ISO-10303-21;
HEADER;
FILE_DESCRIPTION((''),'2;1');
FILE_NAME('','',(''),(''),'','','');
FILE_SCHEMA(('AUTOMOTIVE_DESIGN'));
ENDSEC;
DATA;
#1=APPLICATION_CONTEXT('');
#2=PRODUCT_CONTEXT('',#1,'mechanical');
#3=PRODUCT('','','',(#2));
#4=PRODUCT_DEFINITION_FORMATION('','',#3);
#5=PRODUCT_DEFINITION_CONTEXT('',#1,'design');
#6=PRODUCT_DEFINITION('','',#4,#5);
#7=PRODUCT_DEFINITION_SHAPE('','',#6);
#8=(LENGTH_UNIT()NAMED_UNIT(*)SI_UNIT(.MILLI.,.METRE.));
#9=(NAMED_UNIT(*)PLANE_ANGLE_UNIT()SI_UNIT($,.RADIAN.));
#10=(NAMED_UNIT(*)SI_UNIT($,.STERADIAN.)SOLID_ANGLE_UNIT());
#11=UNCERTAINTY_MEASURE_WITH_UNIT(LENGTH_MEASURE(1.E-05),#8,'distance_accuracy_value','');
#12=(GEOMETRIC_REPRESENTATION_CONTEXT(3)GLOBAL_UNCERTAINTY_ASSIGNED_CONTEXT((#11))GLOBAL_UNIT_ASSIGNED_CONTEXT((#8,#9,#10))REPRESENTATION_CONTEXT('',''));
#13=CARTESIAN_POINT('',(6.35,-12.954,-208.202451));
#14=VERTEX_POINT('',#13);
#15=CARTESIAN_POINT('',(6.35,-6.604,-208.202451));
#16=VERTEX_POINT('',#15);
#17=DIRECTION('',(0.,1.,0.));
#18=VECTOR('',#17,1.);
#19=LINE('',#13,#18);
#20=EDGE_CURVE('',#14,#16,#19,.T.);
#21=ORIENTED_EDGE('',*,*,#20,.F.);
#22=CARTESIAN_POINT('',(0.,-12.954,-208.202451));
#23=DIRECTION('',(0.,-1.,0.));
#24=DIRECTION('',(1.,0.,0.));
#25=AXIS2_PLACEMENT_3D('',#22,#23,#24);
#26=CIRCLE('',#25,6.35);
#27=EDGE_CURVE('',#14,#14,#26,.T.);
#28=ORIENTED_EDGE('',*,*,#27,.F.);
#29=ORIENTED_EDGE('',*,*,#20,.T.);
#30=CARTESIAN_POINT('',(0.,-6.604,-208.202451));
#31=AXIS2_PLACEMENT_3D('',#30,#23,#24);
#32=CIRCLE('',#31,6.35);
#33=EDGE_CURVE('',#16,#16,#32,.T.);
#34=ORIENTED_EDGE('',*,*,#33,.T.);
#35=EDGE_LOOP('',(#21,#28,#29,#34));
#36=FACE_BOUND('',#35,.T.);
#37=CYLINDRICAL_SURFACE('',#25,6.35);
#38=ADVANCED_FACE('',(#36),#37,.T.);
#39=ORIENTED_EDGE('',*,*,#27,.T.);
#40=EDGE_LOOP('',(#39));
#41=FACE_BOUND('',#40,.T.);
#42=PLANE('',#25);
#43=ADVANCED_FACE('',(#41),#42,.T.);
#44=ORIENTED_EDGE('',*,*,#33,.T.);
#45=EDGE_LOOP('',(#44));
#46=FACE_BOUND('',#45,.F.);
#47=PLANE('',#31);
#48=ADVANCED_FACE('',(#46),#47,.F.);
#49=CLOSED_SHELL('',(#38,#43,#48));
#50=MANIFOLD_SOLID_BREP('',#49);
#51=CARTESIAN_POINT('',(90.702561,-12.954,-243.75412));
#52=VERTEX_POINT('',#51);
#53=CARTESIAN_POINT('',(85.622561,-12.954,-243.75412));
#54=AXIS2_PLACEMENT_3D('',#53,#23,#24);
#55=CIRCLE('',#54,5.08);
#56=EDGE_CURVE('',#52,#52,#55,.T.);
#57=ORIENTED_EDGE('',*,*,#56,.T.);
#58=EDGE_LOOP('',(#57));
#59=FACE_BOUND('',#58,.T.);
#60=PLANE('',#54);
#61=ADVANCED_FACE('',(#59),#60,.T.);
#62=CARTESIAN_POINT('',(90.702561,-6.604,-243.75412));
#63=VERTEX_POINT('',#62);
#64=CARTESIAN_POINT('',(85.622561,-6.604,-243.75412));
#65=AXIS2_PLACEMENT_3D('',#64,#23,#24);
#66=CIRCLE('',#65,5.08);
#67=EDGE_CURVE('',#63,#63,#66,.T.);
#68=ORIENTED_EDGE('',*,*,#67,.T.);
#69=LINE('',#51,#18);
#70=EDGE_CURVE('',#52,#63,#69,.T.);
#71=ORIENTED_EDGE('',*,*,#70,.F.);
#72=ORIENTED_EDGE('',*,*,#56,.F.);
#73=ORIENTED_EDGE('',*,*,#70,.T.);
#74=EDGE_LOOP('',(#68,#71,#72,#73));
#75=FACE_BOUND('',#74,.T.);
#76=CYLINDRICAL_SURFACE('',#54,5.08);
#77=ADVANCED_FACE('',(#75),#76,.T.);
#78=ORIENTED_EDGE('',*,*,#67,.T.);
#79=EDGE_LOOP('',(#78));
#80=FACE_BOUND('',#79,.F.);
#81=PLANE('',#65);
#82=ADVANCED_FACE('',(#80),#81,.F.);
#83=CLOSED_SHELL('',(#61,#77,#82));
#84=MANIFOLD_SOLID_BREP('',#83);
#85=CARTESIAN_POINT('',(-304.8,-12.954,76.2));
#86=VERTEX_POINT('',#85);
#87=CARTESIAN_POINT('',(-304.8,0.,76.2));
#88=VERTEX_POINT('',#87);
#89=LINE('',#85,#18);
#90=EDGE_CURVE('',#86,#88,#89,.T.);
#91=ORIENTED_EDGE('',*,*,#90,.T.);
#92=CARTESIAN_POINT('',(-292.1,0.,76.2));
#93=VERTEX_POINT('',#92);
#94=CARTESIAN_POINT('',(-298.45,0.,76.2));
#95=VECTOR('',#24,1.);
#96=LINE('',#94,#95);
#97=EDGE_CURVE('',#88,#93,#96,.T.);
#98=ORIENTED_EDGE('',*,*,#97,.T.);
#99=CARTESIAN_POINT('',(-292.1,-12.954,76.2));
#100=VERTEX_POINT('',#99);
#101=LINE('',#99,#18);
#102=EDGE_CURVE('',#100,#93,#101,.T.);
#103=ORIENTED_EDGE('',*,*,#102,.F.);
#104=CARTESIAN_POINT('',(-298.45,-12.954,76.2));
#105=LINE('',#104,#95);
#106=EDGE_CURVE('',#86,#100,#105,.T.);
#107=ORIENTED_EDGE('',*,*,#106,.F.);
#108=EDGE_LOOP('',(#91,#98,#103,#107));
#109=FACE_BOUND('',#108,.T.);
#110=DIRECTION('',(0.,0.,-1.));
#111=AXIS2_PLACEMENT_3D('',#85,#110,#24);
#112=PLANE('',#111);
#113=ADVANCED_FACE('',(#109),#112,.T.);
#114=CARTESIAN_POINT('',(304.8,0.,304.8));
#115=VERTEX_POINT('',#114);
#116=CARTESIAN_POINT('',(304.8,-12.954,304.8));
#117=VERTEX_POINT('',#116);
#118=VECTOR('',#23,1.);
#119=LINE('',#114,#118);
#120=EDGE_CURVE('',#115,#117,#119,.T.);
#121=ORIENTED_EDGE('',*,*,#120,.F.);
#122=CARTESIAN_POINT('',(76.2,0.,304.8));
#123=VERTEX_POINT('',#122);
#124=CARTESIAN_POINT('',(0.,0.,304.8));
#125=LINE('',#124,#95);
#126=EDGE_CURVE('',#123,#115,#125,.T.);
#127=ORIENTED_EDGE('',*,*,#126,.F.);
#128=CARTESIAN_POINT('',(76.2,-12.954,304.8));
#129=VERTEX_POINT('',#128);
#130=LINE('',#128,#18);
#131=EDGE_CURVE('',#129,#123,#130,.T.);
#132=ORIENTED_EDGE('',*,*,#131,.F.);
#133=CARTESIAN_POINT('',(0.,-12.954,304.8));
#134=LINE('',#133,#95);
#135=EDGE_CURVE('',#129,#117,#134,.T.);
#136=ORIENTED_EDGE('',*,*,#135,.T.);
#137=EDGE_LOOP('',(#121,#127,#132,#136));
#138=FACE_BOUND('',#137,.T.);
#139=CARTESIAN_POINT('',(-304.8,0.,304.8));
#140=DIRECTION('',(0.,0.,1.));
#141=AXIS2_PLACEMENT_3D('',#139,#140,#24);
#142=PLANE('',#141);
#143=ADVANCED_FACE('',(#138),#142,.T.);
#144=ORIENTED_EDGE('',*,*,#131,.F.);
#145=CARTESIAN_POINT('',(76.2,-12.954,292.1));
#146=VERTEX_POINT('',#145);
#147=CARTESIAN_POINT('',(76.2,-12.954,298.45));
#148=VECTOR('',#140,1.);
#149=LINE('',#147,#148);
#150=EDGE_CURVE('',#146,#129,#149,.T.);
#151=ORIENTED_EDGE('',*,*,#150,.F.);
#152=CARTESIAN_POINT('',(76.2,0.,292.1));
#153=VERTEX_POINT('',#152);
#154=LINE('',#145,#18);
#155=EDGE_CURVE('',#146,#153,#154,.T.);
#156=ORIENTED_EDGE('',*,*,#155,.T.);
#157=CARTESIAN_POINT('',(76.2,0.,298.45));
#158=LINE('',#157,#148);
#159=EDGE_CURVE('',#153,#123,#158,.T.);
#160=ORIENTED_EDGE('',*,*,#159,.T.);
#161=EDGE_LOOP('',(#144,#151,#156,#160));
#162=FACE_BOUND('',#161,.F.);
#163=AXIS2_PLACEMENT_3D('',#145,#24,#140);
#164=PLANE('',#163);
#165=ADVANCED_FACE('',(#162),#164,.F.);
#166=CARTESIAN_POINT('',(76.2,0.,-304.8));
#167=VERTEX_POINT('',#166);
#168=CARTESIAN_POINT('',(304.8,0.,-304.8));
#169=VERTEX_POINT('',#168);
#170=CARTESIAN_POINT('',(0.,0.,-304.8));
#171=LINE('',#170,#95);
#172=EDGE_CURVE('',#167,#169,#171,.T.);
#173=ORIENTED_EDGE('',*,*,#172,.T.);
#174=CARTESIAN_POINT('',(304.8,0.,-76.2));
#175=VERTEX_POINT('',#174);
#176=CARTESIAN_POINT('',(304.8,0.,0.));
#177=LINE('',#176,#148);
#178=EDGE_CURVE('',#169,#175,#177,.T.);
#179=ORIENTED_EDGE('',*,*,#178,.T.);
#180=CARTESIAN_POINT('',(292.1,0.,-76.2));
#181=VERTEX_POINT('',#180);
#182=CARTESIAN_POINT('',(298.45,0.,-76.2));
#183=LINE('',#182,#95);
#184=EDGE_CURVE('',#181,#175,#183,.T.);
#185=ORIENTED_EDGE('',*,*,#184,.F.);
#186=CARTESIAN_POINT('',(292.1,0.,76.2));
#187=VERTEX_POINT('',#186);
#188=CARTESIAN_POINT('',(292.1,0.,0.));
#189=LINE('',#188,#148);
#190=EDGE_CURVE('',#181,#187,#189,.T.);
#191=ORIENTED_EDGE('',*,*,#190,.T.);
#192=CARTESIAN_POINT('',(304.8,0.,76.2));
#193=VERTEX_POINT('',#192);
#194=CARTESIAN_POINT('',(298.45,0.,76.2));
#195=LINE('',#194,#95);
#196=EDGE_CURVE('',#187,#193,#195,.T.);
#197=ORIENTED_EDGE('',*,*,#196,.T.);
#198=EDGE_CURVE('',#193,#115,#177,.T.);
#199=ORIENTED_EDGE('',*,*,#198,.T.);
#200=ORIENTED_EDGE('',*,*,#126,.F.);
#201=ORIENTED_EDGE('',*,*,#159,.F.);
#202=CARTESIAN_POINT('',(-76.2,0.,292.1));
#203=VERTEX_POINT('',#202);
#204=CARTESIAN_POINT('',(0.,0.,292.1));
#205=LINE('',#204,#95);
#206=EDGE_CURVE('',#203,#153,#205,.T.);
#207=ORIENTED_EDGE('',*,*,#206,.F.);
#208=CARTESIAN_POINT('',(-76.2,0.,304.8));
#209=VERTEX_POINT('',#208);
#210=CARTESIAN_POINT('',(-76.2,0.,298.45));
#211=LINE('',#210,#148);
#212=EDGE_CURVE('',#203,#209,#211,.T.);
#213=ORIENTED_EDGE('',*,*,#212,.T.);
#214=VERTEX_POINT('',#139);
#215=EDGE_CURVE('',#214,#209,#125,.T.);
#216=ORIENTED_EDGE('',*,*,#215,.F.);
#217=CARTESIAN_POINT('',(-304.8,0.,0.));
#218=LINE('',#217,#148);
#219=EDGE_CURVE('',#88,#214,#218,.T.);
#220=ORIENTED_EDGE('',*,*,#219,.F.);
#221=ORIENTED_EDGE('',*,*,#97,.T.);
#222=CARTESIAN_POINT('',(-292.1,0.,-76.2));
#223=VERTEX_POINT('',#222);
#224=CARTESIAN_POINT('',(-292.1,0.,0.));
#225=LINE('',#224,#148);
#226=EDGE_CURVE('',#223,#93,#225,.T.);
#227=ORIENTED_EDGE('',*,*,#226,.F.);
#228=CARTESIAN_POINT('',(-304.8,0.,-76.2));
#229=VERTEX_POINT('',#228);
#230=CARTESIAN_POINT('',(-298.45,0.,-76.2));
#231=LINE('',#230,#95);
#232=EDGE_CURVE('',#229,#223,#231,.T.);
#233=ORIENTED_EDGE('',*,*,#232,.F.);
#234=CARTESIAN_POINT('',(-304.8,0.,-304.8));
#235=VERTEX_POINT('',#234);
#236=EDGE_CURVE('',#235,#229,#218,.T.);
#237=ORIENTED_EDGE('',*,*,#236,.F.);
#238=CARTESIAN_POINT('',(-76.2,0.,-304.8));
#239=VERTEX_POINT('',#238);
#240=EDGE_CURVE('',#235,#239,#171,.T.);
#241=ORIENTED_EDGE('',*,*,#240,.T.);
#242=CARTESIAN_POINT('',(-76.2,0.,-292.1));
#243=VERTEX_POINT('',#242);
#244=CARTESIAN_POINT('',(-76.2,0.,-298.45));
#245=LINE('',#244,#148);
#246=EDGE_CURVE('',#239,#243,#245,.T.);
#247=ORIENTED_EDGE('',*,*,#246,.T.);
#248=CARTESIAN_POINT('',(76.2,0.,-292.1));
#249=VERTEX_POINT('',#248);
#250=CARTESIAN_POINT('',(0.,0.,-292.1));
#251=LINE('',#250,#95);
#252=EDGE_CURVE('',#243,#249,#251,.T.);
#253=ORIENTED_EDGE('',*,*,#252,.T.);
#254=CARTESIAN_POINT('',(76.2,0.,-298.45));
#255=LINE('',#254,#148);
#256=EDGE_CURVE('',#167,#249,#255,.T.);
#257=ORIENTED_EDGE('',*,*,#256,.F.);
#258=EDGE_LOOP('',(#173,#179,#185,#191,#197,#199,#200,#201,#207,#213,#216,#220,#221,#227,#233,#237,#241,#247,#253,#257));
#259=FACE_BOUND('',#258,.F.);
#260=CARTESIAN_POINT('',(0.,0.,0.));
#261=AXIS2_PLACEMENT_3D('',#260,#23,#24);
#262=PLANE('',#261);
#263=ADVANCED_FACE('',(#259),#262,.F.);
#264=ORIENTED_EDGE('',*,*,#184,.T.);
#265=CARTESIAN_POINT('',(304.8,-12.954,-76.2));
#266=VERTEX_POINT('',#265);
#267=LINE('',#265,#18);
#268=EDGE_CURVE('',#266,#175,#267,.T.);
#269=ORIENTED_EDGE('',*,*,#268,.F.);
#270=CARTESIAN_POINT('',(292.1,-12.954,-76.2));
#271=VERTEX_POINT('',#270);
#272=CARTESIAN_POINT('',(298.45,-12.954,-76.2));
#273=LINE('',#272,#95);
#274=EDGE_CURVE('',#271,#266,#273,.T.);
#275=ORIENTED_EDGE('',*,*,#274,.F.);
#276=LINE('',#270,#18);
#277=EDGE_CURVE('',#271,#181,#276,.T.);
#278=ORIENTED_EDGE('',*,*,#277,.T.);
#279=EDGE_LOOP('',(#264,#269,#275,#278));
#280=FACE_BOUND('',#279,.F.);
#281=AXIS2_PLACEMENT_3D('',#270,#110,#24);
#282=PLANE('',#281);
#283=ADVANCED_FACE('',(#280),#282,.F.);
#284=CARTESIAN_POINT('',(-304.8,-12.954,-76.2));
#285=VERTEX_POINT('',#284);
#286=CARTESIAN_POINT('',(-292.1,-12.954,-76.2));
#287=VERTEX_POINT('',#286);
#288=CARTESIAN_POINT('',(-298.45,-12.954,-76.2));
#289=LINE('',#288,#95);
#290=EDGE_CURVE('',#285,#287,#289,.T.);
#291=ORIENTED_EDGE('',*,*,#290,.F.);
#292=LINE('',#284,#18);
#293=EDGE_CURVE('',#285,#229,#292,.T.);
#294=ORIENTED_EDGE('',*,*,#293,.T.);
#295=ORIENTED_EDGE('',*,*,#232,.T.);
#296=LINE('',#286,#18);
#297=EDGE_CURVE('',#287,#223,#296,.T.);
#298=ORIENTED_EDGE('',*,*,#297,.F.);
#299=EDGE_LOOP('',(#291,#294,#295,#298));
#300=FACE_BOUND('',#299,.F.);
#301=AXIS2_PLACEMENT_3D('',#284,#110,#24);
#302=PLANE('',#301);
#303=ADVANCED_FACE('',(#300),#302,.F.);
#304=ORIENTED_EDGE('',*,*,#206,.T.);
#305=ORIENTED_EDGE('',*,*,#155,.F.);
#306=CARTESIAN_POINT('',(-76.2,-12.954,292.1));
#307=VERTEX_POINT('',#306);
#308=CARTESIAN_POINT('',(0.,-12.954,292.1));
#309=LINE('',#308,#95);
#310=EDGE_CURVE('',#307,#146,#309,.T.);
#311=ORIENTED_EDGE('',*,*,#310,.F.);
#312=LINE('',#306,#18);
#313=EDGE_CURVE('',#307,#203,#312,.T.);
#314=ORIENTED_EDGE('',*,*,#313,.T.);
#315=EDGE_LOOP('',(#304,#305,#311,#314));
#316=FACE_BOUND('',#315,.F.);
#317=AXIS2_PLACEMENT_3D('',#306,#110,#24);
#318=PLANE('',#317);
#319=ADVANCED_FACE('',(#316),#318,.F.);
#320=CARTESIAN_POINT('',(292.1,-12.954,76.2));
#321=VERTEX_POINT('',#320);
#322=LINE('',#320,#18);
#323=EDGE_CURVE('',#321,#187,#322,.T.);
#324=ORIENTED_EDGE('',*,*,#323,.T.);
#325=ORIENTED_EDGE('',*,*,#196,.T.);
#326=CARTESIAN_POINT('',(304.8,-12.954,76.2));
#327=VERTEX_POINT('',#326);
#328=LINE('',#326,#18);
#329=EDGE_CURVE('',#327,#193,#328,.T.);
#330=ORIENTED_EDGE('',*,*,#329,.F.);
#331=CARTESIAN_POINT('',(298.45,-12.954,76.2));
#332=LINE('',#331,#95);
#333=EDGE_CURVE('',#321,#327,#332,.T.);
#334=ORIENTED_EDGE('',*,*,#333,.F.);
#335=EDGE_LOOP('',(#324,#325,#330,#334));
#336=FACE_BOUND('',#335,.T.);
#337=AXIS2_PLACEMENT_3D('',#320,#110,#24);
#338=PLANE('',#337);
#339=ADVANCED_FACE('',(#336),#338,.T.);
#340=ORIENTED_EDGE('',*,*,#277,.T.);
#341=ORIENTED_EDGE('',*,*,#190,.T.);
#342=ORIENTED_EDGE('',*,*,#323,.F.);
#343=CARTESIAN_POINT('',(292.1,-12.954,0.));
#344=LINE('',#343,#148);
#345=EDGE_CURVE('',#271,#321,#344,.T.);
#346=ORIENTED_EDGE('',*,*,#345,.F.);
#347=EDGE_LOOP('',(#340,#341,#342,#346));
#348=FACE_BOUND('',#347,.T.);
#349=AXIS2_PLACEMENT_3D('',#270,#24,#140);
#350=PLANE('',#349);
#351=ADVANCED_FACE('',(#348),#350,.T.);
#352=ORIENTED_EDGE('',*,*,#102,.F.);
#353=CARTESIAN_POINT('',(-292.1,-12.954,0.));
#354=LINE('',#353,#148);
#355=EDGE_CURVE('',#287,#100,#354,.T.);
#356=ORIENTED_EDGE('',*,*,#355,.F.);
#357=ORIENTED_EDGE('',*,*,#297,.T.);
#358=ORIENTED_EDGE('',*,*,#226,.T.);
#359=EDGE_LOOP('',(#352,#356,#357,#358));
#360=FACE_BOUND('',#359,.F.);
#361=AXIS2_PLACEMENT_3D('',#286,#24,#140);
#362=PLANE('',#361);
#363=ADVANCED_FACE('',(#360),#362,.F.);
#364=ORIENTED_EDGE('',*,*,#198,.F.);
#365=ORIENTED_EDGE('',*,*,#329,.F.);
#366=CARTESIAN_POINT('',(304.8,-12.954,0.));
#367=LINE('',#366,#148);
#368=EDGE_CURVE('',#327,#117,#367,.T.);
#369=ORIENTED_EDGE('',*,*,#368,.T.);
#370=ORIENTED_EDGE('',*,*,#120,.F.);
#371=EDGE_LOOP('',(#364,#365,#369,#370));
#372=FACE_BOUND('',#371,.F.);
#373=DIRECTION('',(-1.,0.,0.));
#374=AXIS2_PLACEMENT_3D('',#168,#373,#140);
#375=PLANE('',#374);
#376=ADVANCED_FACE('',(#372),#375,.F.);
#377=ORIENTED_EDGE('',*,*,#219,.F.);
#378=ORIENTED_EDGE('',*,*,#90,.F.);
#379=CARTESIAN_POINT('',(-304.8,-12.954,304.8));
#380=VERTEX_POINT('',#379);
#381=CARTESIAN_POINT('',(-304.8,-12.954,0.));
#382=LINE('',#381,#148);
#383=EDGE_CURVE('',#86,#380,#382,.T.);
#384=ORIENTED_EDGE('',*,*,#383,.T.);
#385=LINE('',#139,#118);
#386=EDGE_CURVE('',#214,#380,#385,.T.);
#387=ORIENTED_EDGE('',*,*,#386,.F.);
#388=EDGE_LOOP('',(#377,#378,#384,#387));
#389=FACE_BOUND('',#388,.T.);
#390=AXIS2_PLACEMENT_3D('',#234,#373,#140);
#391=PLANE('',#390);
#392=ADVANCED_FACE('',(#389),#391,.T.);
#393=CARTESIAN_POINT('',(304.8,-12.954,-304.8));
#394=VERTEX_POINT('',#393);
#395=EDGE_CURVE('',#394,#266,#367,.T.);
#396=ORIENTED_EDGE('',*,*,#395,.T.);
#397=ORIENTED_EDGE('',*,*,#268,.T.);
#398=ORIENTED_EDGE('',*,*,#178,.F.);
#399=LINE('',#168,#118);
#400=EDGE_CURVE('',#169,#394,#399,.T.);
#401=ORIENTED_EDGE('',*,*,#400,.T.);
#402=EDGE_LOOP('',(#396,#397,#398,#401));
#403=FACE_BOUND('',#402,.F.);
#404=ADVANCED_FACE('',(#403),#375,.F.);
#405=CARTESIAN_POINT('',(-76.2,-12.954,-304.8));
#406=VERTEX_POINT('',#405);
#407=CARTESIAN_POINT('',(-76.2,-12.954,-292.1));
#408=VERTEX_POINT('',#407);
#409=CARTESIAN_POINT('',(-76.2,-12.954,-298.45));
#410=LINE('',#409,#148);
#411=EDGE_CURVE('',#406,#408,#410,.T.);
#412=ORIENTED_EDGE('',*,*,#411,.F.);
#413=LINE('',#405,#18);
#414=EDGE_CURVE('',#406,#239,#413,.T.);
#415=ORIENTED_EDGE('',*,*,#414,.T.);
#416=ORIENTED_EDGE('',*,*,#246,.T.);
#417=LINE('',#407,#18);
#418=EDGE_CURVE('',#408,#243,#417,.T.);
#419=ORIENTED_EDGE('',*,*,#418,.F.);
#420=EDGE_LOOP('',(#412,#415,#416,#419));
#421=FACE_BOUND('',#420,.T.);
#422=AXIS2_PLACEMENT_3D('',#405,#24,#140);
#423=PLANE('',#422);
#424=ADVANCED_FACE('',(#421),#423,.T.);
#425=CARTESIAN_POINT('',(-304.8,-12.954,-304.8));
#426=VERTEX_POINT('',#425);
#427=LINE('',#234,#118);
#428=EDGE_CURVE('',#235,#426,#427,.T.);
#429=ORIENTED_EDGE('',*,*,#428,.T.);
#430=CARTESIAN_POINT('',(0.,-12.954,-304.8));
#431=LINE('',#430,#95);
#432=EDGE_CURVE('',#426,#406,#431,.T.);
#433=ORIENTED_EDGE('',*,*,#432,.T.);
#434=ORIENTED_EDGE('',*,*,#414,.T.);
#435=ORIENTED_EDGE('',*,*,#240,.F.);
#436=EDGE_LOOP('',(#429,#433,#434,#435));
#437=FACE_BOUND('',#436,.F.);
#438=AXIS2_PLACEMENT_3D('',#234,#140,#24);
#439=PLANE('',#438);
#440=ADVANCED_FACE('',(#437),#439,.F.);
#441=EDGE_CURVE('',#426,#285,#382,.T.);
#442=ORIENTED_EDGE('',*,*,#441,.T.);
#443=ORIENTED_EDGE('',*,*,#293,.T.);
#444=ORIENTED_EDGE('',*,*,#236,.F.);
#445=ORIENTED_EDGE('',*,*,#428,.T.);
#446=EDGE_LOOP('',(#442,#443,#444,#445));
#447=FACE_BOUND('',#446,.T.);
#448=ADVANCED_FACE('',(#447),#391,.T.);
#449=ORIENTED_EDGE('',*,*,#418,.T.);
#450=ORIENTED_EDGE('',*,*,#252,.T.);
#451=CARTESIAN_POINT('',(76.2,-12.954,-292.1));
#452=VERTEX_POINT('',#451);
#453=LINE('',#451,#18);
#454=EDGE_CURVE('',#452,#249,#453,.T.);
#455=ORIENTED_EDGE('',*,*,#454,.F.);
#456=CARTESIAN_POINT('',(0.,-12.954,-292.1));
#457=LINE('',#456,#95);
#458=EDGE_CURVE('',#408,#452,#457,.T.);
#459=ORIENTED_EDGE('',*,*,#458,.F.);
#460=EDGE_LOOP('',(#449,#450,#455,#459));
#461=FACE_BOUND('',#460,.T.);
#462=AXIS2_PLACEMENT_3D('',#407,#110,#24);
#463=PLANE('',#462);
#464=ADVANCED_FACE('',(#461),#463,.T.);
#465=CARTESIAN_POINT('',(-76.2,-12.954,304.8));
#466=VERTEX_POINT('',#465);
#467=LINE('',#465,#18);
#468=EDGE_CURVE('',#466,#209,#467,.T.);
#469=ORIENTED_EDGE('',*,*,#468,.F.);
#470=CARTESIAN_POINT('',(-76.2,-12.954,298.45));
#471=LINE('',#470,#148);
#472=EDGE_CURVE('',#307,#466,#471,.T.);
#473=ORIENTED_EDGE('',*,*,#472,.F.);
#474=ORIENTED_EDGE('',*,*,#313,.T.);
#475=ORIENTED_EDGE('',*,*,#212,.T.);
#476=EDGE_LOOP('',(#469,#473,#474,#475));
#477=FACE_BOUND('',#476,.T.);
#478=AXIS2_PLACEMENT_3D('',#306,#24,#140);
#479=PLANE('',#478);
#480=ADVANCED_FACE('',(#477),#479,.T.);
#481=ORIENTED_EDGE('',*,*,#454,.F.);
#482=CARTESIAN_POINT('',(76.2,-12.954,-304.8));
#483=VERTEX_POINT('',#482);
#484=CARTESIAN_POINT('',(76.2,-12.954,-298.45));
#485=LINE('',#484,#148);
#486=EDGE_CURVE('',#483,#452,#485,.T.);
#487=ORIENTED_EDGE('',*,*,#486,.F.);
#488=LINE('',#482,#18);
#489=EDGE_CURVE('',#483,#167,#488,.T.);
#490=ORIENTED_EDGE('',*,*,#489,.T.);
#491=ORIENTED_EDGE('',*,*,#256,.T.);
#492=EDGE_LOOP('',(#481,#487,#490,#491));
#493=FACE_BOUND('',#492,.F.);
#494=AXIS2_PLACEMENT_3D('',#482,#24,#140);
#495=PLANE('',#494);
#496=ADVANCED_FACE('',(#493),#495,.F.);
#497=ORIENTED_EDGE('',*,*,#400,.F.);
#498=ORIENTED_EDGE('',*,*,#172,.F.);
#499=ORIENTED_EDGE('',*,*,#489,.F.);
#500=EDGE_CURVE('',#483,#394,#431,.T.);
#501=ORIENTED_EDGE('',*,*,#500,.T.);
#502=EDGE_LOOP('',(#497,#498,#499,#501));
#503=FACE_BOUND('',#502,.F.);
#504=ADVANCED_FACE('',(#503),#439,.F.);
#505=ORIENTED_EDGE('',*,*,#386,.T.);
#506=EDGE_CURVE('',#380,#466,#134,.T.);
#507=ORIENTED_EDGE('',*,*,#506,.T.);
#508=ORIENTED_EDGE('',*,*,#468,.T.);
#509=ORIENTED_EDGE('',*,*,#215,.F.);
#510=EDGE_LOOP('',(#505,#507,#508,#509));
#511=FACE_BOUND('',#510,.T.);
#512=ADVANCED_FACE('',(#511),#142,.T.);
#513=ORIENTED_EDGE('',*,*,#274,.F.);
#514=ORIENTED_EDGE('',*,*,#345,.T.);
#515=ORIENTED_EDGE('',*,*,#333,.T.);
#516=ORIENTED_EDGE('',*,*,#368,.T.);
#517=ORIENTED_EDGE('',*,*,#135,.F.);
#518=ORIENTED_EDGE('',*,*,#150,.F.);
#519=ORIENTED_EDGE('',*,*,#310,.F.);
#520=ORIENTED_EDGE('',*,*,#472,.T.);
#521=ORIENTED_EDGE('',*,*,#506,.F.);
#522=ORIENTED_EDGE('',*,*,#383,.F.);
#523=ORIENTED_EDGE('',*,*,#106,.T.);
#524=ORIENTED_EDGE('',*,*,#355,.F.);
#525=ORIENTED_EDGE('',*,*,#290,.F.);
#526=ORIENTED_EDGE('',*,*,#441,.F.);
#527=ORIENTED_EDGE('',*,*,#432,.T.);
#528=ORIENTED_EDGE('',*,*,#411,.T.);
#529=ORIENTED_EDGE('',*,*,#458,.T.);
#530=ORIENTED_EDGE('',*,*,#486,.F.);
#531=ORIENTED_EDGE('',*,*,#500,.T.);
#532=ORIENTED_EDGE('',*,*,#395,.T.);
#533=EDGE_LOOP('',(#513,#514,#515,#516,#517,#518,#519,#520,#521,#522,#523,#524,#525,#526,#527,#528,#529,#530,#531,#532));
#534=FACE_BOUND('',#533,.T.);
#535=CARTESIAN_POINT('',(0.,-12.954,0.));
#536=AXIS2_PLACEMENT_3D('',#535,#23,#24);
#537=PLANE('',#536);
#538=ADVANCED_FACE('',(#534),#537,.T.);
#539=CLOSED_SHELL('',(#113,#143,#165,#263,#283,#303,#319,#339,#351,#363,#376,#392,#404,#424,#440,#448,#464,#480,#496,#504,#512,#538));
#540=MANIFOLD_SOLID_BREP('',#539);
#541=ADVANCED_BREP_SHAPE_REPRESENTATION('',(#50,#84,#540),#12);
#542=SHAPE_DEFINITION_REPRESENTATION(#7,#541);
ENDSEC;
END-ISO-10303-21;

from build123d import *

# Parameters (mm, degrees)
F0_W     = 609.6
F0_H     = 609.6
F1_DEPTH = 12.954
F2_R     = 6.35
F2_R_2   = 5.08
F3_DEPTH = 6.35
F2_W     = 152.4
F2_H     = 12.7
F2_W_2   = 12.7
F2_H_2   = 152.4
F4_DEPTH = 12.954


with BuildPart() as f1:
    # F0 (on Front) → F1 (new body)
    with BuildSketch(Plane.XZ):
        Rectangle(F0_W, F0_H)
    extrude(amount=F1_DEPTH)

    # F2 (on face) → F4 (cut)
    with BuildSketch(Plane.XZ.offset(12.954)):
        with Locations((0, -298.45)):
            Rectangle(F2_W, F2_H)
        with Locations((298.45, 0)):
            Rectangle(F2_W_2, F2_H_2)
        with Locations((0, 298.45)):
            Rectangle(F2_W, F2_H)
        with Locations((-298.45, 0)):
            Rectangle(F2_W_2, F2_H_2)
    extrude(amount=-F4_DEPTH, mode=Mode.SUBTRACT)


with BuildPart() as f3:
    # F2 (on face) → F3 (new body)
    with BuildSketch(Plane.XZ.offset(12.954)):
        with Locations((0, -208.202451)):
            Circle(F2_R)
        with Locations((85.622561, -243.75412)):
            Circle(F2_R_2)
    extrude(amount=-F3_DEPTH)


solid = Compound([f1.part, f3.part])
